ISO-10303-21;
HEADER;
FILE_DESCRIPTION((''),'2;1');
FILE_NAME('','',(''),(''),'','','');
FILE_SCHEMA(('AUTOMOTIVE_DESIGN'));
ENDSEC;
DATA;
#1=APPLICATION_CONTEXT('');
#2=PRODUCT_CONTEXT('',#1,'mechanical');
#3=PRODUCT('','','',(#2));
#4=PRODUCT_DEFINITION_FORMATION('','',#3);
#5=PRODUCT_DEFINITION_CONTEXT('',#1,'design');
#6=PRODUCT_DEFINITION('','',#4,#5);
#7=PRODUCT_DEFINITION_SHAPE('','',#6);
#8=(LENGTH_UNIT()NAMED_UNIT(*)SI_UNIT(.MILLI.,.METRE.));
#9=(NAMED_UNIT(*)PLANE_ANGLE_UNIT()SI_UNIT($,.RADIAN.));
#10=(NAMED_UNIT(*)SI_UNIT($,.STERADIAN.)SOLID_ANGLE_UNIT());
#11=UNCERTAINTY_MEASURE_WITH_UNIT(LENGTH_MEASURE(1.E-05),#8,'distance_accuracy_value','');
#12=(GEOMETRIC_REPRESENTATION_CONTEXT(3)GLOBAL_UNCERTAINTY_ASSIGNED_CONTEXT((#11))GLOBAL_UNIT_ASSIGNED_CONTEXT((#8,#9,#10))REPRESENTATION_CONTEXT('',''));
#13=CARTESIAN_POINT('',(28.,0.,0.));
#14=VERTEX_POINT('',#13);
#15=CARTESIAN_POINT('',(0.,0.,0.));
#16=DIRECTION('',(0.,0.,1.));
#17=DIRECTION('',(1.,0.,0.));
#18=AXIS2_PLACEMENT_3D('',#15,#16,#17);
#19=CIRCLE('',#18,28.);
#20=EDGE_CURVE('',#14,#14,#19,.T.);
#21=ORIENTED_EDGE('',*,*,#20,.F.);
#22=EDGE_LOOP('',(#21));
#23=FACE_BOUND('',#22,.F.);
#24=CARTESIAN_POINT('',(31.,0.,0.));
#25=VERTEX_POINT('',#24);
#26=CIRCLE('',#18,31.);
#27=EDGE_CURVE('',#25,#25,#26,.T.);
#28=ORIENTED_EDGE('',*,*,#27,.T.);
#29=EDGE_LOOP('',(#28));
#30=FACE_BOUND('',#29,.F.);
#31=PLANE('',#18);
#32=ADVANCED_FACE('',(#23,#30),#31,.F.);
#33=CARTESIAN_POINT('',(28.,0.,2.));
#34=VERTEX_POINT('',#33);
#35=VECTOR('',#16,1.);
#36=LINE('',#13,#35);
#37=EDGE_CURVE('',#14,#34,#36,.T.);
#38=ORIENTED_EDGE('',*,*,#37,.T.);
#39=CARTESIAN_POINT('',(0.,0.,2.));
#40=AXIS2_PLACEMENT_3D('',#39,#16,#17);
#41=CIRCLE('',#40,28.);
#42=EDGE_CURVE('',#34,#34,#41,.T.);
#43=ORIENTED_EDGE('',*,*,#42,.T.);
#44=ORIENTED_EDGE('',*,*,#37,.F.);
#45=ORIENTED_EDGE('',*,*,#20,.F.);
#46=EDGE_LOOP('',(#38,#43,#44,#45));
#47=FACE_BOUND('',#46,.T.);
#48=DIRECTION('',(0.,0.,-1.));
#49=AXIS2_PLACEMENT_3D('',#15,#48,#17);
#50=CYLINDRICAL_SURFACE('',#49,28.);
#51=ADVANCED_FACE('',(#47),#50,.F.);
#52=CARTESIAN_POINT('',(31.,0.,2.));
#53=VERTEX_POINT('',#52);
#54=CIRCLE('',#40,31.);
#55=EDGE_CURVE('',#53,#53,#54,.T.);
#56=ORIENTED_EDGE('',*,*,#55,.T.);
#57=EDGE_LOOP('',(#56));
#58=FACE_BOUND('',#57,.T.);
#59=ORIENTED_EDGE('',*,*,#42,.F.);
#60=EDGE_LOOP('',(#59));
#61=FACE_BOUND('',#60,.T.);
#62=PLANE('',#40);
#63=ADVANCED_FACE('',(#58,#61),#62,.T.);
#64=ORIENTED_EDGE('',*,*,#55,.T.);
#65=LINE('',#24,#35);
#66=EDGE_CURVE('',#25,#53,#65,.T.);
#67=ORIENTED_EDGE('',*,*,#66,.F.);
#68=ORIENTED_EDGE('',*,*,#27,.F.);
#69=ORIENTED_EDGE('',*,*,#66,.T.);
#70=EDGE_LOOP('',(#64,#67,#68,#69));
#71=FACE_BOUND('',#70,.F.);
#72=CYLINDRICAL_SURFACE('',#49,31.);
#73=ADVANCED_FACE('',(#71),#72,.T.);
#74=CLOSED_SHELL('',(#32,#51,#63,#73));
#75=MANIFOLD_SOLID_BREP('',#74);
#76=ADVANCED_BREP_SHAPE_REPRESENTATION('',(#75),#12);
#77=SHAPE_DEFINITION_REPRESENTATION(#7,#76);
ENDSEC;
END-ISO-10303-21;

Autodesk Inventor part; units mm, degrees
ref_plane "YZ Plane" through (0, 0, 0) normal (1, 0, 0) x (0, 1, 0)
ref_plane "XZ Plane" through (0, 0, 0) normal (0, 1, 0) x (-1, 0, 0)
ref_plane "XY Plane" through (0, 0, 0) normal (0, 0, 1) x (1, 0, 0)
sketch "Sketch1" plane through (0, 0, 0) normal (0, 0, 1) x (1, 0, 0)
  circle A0 centre (0, 0) radius 33 projected
  circle A1 centre (0, 0) radius 26.5 projected
  circle A2 centre (0, 0) radius 31
  circle A3 centre (0, 0) radius 28
  point P0 (0, 0)
  dimension "d0" = 62
  dimension "d1" = 56
extrude "Extrusion1" add sketch "Sketch1" along normal blind 2 contours A2
properties part number "Anglerfish_rubberring_v0"
